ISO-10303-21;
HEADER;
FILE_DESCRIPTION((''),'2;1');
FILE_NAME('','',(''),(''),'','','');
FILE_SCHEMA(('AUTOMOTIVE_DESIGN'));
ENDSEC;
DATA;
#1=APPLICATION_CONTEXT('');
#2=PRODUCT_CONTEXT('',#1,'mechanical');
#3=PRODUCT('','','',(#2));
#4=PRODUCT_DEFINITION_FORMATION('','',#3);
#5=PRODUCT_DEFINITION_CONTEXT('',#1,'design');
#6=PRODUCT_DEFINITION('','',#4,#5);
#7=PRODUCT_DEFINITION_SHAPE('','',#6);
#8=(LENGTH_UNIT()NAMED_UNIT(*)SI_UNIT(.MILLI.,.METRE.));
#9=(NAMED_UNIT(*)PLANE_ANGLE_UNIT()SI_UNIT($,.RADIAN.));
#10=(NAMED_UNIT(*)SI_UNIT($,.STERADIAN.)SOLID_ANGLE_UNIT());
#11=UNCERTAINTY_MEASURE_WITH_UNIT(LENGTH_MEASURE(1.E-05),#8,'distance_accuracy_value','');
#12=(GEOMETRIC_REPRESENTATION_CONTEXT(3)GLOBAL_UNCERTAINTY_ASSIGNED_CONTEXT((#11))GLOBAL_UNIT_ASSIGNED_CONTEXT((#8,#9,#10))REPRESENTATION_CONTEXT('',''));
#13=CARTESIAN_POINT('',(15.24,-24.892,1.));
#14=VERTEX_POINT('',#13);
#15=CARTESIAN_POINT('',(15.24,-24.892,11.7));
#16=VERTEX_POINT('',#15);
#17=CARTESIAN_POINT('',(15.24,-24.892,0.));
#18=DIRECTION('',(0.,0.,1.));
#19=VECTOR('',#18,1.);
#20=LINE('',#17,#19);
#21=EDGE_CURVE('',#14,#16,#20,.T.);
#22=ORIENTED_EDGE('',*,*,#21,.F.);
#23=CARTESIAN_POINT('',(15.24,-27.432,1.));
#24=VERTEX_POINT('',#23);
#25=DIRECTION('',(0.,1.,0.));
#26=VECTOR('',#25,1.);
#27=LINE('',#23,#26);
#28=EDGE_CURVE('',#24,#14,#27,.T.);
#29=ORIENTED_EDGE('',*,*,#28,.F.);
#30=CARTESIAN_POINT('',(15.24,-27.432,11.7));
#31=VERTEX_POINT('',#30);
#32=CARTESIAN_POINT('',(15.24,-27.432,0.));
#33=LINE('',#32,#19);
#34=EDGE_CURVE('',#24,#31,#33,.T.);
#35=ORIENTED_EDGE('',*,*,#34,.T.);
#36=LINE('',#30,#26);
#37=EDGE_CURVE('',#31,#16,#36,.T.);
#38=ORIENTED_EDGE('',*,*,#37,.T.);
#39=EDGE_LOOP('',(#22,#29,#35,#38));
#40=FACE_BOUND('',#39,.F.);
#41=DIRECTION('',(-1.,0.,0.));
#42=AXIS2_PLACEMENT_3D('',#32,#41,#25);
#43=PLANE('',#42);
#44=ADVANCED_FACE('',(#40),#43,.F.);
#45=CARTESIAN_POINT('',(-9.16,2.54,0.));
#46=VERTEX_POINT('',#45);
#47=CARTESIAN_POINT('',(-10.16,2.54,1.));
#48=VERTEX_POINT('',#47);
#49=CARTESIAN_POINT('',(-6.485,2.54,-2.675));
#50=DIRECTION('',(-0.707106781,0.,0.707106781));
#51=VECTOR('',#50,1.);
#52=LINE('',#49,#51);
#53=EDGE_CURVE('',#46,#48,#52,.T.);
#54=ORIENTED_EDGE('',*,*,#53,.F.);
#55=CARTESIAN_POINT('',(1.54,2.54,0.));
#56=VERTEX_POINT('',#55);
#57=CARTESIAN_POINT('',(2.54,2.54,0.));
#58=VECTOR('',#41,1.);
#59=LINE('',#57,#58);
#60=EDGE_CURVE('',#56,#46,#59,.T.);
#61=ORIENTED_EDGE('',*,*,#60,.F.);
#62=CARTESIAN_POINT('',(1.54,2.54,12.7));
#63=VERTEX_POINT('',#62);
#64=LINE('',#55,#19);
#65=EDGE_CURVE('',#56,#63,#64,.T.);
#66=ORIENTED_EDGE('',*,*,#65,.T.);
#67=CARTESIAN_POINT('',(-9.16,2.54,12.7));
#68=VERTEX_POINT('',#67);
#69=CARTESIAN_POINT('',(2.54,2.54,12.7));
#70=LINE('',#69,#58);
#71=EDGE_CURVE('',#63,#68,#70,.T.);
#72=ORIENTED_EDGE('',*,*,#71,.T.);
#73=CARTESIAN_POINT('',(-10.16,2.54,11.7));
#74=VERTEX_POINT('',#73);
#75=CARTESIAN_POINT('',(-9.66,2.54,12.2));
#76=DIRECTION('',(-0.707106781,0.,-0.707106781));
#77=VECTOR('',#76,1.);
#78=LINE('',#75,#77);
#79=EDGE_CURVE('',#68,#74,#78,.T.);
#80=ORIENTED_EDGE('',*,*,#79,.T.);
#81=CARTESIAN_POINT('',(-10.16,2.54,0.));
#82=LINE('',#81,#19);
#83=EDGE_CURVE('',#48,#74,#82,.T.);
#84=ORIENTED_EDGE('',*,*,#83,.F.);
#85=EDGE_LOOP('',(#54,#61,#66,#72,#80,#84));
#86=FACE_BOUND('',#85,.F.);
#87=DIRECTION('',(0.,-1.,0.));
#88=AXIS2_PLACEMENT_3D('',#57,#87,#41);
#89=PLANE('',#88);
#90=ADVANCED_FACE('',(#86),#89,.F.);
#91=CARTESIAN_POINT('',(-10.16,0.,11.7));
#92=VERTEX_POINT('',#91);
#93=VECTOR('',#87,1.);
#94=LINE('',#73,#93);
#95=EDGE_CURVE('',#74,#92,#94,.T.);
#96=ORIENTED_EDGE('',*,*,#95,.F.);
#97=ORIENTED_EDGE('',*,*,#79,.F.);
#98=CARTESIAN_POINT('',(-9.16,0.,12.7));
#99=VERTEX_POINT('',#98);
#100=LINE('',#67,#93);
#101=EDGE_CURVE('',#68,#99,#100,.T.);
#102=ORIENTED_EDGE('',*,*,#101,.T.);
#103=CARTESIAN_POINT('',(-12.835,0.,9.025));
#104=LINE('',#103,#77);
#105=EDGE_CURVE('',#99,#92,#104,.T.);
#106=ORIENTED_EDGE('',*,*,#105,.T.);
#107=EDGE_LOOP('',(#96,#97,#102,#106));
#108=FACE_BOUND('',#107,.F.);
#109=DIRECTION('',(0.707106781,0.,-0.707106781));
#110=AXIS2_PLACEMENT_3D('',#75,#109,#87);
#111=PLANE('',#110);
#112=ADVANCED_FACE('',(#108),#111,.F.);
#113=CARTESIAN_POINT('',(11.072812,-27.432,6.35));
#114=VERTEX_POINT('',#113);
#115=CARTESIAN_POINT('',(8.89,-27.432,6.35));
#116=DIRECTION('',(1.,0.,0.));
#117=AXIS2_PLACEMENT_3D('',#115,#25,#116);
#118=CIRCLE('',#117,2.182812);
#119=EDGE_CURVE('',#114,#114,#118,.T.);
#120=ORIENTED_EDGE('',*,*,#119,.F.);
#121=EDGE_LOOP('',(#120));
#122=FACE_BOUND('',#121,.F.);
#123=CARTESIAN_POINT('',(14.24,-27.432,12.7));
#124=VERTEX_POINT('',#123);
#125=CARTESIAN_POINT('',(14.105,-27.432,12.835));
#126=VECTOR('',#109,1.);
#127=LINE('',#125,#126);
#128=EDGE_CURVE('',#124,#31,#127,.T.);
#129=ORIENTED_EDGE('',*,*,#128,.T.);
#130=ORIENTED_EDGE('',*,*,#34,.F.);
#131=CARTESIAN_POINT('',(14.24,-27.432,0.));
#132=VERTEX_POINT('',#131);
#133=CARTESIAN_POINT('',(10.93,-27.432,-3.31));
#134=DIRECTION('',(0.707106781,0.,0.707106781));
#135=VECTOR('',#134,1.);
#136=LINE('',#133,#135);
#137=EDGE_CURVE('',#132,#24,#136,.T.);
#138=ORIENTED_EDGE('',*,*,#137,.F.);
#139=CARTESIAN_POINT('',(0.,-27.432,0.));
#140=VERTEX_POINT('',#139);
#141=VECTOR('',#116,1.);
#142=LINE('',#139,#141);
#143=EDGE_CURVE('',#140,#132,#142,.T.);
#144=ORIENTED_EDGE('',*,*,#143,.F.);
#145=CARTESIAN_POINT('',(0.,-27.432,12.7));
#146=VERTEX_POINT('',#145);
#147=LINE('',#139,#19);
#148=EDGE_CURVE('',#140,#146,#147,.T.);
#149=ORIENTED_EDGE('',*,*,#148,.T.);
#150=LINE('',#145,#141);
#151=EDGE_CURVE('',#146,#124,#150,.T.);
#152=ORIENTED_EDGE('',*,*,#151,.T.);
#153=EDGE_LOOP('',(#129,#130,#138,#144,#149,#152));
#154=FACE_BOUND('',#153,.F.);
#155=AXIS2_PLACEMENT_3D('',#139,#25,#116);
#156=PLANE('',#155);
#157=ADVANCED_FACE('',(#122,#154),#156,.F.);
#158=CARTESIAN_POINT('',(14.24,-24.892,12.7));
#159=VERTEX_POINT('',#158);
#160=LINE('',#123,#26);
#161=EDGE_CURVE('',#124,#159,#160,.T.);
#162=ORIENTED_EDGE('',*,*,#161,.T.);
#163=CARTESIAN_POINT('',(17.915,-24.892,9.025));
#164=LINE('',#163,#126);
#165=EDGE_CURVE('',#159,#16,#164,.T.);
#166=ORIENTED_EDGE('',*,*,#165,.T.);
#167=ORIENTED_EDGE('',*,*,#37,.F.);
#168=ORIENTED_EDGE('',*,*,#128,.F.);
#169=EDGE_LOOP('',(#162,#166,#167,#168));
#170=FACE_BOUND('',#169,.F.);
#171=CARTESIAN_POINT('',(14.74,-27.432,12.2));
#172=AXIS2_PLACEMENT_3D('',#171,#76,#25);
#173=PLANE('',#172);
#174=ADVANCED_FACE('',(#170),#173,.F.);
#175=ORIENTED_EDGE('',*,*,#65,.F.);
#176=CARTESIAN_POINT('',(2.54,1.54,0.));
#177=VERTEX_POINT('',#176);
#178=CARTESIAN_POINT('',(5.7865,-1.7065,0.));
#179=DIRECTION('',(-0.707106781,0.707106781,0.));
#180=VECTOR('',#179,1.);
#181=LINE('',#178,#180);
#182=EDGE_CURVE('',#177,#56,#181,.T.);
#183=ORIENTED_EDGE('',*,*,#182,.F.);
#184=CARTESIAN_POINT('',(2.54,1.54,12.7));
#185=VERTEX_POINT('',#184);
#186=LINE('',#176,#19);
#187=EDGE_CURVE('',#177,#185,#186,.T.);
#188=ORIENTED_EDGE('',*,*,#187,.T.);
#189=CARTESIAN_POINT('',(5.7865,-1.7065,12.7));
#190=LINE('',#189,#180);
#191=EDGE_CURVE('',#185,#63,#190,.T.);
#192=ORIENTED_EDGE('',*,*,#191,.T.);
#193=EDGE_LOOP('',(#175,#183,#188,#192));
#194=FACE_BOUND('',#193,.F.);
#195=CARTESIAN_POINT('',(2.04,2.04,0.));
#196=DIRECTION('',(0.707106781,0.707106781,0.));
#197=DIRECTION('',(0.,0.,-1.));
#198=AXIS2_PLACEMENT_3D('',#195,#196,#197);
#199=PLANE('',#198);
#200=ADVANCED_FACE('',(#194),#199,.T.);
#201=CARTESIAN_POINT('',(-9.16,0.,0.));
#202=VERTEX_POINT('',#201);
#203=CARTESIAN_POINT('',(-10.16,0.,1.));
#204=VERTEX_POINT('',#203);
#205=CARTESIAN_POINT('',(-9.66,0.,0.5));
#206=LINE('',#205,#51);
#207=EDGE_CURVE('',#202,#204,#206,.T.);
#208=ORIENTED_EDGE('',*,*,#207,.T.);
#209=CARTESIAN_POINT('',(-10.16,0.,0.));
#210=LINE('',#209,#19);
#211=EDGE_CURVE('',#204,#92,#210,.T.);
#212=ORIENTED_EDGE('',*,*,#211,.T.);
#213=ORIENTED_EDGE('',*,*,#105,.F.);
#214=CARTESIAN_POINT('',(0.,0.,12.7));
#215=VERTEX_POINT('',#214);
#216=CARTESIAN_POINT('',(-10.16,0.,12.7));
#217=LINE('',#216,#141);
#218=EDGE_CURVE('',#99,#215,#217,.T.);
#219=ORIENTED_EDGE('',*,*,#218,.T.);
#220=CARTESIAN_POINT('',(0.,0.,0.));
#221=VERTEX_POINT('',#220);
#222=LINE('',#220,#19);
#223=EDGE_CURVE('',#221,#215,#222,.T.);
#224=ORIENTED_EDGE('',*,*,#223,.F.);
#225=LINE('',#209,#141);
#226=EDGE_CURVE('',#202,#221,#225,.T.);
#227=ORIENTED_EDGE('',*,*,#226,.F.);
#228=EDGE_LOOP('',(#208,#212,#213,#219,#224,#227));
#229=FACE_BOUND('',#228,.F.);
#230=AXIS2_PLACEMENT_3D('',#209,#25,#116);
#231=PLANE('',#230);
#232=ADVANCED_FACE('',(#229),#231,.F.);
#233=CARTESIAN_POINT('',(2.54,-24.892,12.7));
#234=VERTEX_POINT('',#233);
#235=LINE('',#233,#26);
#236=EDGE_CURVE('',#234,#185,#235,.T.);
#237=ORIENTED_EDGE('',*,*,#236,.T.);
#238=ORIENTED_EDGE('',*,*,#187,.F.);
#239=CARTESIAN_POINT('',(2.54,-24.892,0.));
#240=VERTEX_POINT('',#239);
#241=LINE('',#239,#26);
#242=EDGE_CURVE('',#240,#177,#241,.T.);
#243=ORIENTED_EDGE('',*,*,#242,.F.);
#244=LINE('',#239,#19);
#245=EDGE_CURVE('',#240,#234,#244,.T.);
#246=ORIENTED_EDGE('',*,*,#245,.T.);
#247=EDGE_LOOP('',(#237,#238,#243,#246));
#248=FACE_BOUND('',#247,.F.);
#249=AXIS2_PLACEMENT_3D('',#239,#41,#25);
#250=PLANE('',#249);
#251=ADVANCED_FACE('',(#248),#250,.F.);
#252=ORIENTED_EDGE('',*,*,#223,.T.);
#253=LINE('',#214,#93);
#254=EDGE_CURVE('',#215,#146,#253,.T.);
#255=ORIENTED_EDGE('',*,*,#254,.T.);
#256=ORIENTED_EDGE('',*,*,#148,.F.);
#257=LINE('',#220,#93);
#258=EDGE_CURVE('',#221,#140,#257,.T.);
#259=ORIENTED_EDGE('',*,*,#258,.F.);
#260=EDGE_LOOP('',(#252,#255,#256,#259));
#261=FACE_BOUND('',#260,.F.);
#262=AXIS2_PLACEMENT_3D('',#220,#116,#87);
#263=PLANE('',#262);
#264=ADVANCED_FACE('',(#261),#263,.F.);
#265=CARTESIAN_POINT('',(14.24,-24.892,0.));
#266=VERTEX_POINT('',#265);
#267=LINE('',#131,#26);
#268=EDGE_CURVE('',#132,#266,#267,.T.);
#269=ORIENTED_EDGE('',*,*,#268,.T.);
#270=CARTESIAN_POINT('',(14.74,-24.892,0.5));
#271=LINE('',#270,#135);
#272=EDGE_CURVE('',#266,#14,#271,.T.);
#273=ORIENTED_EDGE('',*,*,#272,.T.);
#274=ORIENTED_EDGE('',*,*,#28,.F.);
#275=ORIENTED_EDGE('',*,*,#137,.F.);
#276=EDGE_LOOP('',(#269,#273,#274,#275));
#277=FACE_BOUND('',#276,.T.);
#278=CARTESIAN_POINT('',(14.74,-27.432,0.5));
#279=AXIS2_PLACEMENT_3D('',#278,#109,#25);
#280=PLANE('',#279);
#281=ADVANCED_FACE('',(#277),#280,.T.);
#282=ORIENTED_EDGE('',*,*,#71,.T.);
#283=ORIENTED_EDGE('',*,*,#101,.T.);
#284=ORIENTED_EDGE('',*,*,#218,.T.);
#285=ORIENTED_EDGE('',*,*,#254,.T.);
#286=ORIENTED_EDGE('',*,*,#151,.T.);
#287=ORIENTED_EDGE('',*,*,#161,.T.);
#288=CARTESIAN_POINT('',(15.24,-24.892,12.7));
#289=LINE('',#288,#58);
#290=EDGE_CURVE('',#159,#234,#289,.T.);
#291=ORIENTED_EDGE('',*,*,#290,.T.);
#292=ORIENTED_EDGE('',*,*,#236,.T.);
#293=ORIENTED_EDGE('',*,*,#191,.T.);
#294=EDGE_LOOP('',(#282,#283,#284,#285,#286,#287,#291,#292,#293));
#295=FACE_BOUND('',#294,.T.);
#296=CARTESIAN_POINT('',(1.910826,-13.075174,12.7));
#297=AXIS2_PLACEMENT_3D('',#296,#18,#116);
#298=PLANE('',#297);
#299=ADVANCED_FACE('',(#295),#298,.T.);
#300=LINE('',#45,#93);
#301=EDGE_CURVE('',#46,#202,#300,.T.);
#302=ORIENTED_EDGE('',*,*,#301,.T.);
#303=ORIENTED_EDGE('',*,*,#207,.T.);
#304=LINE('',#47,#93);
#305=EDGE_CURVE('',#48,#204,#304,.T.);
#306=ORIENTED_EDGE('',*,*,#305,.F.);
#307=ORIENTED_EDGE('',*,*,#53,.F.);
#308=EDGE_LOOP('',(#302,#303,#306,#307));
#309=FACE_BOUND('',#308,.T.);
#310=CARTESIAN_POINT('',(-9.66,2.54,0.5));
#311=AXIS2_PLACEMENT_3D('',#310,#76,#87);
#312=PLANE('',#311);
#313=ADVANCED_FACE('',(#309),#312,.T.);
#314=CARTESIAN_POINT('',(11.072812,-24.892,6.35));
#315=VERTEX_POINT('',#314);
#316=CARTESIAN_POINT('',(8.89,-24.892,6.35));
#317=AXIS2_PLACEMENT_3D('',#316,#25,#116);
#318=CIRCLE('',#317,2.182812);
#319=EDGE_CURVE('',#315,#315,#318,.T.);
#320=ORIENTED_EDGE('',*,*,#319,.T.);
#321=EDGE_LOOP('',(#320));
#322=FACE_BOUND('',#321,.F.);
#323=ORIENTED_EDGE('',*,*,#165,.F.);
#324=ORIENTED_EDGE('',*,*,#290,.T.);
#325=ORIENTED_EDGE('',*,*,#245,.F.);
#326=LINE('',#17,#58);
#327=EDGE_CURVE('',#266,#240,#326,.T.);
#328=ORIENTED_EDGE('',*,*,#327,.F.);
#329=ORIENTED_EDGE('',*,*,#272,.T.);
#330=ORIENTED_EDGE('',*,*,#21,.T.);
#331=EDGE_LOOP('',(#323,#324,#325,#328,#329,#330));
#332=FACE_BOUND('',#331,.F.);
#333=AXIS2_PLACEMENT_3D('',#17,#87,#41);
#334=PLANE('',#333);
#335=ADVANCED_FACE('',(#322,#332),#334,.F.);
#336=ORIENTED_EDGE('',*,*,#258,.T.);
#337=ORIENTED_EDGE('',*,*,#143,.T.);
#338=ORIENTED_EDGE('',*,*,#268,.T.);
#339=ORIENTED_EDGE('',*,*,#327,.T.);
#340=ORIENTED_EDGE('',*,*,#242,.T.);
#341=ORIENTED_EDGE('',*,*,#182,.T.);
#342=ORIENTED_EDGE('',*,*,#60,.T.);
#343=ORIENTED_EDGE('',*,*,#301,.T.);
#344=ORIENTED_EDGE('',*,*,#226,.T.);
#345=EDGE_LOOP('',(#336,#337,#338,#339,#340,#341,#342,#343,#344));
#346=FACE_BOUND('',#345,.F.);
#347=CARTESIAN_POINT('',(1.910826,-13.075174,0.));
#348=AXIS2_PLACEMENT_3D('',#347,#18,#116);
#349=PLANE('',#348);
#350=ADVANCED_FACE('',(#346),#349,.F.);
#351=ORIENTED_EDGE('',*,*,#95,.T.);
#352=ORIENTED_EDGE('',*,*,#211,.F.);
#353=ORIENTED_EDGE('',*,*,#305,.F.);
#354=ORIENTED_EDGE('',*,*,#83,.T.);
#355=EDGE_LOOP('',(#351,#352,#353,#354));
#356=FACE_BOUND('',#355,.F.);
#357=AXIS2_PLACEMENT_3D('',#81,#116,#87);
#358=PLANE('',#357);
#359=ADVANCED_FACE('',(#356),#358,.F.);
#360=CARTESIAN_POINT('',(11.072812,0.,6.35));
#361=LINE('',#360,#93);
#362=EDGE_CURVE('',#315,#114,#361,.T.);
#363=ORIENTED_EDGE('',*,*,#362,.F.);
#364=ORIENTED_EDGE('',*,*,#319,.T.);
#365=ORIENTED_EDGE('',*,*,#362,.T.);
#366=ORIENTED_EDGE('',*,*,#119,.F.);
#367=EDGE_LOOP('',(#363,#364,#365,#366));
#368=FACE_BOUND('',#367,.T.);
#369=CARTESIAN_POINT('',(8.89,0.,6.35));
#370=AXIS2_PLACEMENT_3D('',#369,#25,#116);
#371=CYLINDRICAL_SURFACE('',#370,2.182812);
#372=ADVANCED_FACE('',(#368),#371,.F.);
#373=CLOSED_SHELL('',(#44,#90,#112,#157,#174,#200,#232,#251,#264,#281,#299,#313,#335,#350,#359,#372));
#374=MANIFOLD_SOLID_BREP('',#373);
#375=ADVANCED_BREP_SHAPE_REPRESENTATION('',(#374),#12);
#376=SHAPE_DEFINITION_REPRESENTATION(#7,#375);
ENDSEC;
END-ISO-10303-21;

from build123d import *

# Parameters (mm, degrees)
PAD_DEPTH    = 12.7
SKETCH001_R  = 2.182812
POCKET_DEPTH = 27.433
CHAMFER_SIZE = 1


with BuildPart() as part:
    # Sketch → Pad (new body)
    with BuildSketch(Plane.XY):
        Polygon((0, -27.432), (15.24, -27.432), (15.24, -24.892), (2.54, -24.892), (2.54, 2.54), (-10.16, 2.54), (-10.16, 0), (0, 0), align=None)
    extrude(amount=PAD_DEPTH)

    # Sketch001 → Pocket (cut, through all)
    with BuildSketch(Plane.XZ):
        with Locations((8.89, 6.35)):
            Circle(SKETCH001_R)
        with Locations((-3.81, 6.35)):
            Circle(SKETCH001_R)
    extrude(amount=POCKET_DEPTH, mode=Mode.SUBTRACT)

    # Chamfer
    chamfer_edges = [part.edges().sort_by_distance(p)[0] for p in [
        (-10.16, 1.27, 0),
        (-10.16, 1.27, 12.7),
        (2.54, 2.54, 6.35),
        (15.24, -26.162, 0),
        (15.24, -26.162, 12.7),
    ]]
    chamfer(chamfer_edges, length=CHAMFER_SIZE)


solid = part.part
